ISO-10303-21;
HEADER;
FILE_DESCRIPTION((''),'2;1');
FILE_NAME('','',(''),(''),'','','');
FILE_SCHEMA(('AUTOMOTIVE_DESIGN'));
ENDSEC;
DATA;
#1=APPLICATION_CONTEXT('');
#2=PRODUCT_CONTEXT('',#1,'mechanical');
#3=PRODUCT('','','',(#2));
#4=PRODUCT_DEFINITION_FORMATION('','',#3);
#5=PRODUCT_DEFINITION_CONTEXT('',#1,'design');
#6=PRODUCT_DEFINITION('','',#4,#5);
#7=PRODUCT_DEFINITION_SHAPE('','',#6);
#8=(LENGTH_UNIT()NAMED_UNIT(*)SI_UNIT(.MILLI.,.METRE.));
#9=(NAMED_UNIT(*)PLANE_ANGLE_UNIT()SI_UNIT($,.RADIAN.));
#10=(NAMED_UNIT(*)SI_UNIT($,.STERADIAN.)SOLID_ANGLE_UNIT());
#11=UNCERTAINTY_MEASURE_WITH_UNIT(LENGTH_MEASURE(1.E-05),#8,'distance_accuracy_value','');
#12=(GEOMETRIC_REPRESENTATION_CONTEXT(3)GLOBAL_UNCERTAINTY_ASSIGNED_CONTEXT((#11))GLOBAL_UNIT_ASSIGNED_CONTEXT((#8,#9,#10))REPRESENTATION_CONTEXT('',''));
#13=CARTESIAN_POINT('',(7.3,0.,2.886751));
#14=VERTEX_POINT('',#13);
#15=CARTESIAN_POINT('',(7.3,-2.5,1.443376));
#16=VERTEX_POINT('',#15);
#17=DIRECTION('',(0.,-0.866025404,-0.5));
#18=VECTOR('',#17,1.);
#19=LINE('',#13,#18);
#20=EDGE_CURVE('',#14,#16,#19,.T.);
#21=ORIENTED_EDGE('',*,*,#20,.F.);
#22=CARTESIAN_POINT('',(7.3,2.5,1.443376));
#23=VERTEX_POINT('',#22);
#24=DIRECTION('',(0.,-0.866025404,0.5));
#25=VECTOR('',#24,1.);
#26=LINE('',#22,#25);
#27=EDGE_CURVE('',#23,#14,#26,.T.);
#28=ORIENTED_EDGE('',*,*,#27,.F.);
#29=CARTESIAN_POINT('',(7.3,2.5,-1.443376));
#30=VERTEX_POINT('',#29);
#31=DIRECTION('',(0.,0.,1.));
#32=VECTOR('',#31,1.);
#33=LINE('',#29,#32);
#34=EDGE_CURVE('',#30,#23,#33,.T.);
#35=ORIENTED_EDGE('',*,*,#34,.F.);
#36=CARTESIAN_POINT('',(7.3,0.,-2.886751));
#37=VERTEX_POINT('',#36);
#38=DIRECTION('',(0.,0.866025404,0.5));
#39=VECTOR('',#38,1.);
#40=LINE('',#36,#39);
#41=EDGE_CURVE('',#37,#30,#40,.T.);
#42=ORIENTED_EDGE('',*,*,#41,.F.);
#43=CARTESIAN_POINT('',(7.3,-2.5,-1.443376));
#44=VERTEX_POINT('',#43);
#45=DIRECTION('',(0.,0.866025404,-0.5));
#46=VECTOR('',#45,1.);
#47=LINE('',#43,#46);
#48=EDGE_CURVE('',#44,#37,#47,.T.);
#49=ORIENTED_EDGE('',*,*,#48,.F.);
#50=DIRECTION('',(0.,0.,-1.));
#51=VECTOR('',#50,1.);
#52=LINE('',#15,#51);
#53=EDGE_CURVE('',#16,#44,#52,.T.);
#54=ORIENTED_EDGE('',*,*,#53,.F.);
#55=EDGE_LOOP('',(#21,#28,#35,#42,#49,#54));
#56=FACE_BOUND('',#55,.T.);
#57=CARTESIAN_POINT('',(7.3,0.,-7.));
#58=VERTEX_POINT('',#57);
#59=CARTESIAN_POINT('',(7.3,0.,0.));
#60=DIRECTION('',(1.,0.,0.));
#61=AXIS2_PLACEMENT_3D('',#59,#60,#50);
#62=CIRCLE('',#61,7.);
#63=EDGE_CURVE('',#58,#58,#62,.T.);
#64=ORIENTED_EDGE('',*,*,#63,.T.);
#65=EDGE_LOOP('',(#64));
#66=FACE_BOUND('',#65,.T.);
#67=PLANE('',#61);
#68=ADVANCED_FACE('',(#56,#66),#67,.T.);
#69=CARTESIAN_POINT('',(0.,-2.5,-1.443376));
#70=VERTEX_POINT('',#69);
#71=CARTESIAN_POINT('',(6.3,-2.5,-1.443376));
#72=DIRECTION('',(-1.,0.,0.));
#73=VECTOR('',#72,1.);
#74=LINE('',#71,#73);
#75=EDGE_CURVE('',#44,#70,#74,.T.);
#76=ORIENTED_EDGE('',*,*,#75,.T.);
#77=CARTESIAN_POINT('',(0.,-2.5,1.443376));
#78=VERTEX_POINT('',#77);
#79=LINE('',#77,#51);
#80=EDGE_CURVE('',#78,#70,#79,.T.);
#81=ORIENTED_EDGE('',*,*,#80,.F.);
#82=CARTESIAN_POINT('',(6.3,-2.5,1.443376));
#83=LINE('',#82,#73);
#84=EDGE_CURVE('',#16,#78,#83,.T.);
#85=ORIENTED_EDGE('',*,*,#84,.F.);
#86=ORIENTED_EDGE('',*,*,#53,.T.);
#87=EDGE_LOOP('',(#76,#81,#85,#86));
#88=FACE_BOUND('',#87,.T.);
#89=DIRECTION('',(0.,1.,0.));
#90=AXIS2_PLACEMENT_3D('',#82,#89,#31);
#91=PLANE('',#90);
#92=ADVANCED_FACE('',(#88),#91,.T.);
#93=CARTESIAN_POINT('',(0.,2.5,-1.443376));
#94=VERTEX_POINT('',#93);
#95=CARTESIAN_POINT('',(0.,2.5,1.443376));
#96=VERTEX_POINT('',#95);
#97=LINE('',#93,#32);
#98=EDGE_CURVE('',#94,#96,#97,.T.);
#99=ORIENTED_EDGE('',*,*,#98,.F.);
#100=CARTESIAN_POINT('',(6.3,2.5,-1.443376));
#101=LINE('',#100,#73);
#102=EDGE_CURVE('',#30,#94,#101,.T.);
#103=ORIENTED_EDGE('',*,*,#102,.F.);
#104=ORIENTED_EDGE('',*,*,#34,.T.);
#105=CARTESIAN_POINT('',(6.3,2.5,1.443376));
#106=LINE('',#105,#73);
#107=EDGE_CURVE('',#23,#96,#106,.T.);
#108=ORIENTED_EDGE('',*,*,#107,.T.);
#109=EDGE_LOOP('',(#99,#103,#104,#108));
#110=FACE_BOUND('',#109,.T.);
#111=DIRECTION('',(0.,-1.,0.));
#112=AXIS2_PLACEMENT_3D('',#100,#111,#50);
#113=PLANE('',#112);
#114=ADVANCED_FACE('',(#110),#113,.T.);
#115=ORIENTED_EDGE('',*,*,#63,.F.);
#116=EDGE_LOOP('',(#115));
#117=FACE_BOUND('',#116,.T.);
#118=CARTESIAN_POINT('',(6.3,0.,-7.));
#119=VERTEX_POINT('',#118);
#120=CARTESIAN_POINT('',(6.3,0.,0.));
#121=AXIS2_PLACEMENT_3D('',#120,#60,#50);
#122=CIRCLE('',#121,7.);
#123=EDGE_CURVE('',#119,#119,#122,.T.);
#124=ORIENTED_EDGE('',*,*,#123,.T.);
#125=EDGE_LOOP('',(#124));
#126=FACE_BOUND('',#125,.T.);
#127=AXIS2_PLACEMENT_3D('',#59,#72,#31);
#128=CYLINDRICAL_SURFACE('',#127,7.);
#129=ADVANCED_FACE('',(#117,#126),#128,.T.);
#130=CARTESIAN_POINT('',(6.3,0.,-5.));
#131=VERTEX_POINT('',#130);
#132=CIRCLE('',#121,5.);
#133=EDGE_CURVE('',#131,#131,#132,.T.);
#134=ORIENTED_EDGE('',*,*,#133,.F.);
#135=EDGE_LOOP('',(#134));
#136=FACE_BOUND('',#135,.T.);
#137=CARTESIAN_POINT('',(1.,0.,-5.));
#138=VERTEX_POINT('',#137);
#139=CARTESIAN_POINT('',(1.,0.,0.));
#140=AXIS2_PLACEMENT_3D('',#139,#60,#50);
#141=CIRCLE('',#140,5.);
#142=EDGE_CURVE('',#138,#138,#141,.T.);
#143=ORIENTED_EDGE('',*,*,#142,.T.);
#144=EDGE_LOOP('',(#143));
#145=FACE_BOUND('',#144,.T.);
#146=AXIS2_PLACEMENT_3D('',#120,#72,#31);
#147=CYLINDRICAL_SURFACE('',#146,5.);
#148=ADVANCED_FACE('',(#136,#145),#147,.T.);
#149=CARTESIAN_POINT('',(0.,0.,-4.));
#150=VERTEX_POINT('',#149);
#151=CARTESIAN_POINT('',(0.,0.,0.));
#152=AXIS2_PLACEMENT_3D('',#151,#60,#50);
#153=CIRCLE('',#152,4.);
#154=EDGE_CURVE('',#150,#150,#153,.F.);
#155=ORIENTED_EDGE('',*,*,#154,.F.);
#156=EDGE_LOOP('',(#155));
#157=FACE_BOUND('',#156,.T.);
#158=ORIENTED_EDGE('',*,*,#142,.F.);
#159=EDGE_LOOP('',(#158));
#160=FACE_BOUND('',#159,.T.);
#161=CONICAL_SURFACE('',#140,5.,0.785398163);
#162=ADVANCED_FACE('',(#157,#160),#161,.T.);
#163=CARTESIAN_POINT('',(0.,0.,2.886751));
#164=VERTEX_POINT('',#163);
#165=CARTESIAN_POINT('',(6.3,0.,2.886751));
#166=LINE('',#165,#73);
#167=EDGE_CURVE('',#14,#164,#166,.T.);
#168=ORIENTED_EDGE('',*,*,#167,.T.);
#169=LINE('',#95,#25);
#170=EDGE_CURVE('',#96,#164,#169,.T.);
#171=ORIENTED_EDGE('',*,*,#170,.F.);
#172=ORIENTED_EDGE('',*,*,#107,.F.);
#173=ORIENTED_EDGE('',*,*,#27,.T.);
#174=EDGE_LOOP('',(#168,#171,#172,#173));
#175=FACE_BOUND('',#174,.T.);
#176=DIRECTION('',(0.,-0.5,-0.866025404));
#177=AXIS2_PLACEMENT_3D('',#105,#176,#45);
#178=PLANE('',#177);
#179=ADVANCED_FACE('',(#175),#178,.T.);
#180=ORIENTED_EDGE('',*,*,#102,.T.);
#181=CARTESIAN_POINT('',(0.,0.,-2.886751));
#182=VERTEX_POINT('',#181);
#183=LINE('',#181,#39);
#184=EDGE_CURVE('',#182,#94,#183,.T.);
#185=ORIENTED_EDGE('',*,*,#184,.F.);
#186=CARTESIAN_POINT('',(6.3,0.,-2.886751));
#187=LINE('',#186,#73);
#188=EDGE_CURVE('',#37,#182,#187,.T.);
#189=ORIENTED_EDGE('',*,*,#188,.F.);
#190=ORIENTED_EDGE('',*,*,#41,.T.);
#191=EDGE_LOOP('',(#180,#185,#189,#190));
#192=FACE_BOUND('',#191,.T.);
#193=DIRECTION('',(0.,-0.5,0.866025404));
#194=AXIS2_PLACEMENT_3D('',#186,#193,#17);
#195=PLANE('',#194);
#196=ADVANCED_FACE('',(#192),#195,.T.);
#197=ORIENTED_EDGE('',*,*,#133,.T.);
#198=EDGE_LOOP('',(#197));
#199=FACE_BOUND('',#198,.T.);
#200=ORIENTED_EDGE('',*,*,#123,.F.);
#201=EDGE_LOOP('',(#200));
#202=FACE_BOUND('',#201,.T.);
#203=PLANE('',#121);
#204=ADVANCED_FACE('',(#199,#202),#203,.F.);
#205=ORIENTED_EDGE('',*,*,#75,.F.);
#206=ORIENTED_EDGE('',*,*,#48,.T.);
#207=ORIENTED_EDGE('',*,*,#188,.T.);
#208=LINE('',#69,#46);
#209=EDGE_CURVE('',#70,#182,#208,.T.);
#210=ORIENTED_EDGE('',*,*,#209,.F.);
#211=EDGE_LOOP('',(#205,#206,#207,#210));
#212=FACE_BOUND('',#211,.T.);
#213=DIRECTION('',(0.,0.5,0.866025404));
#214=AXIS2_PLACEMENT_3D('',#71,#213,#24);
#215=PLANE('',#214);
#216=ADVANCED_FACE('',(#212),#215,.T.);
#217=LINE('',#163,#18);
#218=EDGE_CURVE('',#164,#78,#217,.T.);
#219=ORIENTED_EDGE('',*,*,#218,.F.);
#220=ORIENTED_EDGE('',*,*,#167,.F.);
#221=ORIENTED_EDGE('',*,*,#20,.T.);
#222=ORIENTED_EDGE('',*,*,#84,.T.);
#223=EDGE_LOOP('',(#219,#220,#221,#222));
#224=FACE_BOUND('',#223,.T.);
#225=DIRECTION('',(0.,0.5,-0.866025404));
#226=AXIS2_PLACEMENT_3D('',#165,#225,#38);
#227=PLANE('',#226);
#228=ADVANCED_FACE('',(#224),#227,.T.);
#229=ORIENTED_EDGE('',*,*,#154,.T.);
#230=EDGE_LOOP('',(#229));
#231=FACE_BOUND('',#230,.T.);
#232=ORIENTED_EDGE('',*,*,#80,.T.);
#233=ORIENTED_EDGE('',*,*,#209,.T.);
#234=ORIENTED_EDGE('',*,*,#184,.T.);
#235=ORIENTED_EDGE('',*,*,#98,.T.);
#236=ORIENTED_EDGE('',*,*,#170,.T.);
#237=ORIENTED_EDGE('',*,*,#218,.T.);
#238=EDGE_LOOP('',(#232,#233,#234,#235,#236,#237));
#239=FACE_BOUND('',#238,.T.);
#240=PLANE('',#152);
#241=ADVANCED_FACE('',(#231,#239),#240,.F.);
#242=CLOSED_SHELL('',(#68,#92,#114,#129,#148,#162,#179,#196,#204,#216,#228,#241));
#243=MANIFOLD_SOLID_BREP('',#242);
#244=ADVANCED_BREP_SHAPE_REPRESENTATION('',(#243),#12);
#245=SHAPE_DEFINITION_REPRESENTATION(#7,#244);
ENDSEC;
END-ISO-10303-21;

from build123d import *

# Parameters (mm, degrees)
SKETCH_1_R      = 5
EXTRUDE_1_DEPTH = 6.3
SKETCH_2_R      = 7
EXTRUDE_2_DEPTH = 1
CHAMFER_1_SIZE  = 1


with BuildPart() as part:
    # 草图1 → 凸台-拉伸1 (new body)
    with BuildSketch(Plane(origin=(0, 0, 0), x_dir=(0, 0, -1), z_dir=(1, 0, 0))):
        Circle(SKETCH_1_R)
        Polygon((2.886751346, 0), (1.443375673, 2.5), (-1.443375673, 2.5), (-2.886751346, 0), (-1.443375673, -2.5), (1.443375673, -2.5), align=None, mode=Mode.SUBTRACT)
    extrude(amount=EXTRUDE_1_DEPTH)

    # 草图2 → 凸台-拉伸2 (add)
    with BuildSketch(Plane(origin=(6.3, 0, 0), x_dir=(0, 0, -1), z_dir=(1, 0, 0))):
        Circle(SKETCH_2_R)
        Polygon((2.886751346, 0), (1.443375673, 2.5), (-1.443375673, 2.5), (-2.886751346, 0), (-1.443375673, -2.5), (1.443375673, -2.5), align=None, mode=Mode.SUBTRACT)
    extrude(amount=EXTRUDE_2_DEPTH)

    # 倒角1
    chamfer_1_edges = [part.edges().sort_by_distance(p)[0] for p in [
        (0, 0, 5),
    ]]
    chamfer(chamfer_1_edges, length=CHAMFER_1_SIZE)


solid = part.part
